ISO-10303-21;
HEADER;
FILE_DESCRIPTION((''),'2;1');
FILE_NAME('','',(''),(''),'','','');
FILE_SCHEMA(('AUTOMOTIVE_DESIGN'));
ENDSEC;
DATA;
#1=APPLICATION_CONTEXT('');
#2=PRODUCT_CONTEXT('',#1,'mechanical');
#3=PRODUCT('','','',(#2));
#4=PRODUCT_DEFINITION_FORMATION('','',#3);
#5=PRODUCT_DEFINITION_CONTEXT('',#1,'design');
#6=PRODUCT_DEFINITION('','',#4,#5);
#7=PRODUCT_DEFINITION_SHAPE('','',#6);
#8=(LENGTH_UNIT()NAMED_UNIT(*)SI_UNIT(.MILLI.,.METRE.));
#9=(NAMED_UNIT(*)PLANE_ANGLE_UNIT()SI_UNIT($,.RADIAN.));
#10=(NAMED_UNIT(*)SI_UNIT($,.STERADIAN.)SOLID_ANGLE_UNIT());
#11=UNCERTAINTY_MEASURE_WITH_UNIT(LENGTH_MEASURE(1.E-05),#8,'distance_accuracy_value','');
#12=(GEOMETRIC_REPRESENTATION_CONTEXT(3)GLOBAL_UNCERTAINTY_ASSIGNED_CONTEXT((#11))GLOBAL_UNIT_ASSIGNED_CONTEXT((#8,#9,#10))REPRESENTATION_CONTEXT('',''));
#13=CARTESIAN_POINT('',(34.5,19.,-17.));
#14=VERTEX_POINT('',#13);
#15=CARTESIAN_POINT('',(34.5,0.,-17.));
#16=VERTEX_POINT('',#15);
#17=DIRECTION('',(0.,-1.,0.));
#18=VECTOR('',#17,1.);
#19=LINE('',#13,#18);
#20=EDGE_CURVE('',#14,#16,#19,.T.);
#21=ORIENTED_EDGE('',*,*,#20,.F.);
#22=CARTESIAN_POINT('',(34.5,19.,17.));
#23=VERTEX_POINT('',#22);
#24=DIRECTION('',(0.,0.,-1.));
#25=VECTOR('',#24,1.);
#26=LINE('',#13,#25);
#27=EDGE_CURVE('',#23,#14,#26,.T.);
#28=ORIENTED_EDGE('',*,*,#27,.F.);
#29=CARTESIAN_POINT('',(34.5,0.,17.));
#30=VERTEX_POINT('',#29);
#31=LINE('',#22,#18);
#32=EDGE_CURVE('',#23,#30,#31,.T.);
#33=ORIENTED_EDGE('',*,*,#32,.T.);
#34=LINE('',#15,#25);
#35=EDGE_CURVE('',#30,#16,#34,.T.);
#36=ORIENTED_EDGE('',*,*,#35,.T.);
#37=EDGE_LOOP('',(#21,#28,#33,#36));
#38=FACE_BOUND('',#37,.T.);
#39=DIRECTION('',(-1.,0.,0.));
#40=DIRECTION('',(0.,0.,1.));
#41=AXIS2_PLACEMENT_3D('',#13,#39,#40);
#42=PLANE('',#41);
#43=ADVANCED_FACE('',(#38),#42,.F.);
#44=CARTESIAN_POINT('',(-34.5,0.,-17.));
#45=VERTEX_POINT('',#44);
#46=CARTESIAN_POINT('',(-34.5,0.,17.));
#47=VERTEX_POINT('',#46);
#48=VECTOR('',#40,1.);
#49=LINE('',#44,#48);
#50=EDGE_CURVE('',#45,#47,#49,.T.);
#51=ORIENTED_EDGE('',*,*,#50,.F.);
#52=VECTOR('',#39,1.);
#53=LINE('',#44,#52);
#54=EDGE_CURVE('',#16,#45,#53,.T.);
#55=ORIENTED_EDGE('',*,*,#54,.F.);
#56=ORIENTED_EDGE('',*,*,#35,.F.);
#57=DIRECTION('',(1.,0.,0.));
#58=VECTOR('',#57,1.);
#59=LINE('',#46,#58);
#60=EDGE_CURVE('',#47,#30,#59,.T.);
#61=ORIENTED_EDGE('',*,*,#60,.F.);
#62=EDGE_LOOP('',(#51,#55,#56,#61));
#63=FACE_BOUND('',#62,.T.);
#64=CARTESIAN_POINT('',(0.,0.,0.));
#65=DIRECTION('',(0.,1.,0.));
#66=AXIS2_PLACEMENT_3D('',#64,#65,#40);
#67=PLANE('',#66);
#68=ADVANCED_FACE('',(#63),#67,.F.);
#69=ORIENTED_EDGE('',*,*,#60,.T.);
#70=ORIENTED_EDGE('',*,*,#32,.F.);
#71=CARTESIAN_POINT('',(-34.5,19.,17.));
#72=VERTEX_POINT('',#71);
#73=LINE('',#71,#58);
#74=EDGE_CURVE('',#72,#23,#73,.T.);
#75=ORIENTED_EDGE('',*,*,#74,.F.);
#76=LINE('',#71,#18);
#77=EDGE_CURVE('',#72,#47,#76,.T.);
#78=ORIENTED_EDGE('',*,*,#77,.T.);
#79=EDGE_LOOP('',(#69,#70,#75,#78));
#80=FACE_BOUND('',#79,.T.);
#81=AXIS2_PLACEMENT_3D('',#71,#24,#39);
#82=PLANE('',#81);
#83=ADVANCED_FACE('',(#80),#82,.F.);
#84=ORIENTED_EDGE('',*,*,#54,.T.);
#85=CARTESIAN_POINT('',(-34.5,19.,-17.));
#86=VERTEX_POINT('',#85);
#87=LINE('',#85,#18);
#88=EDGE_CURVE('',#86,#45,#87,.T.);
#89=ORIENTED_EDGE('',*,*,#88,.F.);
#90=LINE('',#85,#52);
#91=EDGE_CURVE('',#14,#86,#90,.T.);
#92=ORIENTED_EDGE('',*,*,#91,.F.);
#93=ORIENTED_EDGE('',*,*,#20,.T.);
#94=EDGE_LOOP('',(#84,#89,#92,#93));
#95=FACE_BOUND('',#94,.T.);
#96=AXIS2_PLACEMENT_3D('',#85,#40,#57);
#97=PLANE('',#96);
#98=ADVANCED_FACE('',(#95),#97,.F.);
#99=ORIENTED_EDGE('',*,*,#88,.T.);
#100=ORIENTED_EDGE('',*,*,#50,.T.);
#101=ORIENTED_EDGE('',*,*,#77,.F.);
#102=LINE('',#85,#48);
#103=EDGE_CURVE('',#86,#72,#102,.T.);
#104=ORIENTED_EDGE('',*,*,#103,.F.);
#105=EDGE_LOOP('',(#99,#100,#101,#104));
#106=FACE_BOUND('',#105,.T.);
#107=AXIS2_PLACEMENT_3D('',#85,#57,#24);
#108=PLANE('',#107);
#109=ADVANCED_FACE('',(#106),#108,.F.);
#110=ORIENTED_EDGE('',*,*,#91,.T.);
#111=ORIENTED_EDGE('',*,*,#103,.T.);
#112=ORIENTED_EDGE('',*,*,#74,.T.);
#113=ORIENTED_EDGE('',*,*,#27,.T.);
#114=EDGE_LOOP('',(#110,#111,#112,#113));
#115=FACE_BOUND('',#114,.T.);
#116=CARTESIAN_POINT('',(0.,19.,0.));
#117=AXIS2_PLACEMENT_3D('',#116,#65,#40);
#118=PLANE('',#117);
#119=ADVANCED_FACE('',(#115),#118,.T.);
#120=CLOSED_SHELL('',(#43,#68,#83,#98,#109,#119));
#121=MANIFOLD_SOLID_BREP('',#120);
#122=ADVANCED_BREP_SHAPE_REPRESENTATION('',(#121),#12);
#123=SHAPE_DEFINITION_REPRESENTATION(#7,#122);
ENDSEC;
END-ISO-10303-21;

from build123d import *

# Parameters (mm, degrees)
SKETCH_1_W      = 69
SKETCH_1_H      = 34
EXTRUDE_1_DEPTH = 19


with BuildPart() as part:
    # 草图1 → 凸台-拉伸1 (new body)
    with BuildSketch(Plane(origin=(0, 0, 0), x_dir=(1, 0, 0), z_dir=(0, 1, 0))):
        Rectangle(SKETCH_1_W, SKETCH_1_H)
    extrude(amount=EXTRUDE_1_DEPTH)


solid = part.part
